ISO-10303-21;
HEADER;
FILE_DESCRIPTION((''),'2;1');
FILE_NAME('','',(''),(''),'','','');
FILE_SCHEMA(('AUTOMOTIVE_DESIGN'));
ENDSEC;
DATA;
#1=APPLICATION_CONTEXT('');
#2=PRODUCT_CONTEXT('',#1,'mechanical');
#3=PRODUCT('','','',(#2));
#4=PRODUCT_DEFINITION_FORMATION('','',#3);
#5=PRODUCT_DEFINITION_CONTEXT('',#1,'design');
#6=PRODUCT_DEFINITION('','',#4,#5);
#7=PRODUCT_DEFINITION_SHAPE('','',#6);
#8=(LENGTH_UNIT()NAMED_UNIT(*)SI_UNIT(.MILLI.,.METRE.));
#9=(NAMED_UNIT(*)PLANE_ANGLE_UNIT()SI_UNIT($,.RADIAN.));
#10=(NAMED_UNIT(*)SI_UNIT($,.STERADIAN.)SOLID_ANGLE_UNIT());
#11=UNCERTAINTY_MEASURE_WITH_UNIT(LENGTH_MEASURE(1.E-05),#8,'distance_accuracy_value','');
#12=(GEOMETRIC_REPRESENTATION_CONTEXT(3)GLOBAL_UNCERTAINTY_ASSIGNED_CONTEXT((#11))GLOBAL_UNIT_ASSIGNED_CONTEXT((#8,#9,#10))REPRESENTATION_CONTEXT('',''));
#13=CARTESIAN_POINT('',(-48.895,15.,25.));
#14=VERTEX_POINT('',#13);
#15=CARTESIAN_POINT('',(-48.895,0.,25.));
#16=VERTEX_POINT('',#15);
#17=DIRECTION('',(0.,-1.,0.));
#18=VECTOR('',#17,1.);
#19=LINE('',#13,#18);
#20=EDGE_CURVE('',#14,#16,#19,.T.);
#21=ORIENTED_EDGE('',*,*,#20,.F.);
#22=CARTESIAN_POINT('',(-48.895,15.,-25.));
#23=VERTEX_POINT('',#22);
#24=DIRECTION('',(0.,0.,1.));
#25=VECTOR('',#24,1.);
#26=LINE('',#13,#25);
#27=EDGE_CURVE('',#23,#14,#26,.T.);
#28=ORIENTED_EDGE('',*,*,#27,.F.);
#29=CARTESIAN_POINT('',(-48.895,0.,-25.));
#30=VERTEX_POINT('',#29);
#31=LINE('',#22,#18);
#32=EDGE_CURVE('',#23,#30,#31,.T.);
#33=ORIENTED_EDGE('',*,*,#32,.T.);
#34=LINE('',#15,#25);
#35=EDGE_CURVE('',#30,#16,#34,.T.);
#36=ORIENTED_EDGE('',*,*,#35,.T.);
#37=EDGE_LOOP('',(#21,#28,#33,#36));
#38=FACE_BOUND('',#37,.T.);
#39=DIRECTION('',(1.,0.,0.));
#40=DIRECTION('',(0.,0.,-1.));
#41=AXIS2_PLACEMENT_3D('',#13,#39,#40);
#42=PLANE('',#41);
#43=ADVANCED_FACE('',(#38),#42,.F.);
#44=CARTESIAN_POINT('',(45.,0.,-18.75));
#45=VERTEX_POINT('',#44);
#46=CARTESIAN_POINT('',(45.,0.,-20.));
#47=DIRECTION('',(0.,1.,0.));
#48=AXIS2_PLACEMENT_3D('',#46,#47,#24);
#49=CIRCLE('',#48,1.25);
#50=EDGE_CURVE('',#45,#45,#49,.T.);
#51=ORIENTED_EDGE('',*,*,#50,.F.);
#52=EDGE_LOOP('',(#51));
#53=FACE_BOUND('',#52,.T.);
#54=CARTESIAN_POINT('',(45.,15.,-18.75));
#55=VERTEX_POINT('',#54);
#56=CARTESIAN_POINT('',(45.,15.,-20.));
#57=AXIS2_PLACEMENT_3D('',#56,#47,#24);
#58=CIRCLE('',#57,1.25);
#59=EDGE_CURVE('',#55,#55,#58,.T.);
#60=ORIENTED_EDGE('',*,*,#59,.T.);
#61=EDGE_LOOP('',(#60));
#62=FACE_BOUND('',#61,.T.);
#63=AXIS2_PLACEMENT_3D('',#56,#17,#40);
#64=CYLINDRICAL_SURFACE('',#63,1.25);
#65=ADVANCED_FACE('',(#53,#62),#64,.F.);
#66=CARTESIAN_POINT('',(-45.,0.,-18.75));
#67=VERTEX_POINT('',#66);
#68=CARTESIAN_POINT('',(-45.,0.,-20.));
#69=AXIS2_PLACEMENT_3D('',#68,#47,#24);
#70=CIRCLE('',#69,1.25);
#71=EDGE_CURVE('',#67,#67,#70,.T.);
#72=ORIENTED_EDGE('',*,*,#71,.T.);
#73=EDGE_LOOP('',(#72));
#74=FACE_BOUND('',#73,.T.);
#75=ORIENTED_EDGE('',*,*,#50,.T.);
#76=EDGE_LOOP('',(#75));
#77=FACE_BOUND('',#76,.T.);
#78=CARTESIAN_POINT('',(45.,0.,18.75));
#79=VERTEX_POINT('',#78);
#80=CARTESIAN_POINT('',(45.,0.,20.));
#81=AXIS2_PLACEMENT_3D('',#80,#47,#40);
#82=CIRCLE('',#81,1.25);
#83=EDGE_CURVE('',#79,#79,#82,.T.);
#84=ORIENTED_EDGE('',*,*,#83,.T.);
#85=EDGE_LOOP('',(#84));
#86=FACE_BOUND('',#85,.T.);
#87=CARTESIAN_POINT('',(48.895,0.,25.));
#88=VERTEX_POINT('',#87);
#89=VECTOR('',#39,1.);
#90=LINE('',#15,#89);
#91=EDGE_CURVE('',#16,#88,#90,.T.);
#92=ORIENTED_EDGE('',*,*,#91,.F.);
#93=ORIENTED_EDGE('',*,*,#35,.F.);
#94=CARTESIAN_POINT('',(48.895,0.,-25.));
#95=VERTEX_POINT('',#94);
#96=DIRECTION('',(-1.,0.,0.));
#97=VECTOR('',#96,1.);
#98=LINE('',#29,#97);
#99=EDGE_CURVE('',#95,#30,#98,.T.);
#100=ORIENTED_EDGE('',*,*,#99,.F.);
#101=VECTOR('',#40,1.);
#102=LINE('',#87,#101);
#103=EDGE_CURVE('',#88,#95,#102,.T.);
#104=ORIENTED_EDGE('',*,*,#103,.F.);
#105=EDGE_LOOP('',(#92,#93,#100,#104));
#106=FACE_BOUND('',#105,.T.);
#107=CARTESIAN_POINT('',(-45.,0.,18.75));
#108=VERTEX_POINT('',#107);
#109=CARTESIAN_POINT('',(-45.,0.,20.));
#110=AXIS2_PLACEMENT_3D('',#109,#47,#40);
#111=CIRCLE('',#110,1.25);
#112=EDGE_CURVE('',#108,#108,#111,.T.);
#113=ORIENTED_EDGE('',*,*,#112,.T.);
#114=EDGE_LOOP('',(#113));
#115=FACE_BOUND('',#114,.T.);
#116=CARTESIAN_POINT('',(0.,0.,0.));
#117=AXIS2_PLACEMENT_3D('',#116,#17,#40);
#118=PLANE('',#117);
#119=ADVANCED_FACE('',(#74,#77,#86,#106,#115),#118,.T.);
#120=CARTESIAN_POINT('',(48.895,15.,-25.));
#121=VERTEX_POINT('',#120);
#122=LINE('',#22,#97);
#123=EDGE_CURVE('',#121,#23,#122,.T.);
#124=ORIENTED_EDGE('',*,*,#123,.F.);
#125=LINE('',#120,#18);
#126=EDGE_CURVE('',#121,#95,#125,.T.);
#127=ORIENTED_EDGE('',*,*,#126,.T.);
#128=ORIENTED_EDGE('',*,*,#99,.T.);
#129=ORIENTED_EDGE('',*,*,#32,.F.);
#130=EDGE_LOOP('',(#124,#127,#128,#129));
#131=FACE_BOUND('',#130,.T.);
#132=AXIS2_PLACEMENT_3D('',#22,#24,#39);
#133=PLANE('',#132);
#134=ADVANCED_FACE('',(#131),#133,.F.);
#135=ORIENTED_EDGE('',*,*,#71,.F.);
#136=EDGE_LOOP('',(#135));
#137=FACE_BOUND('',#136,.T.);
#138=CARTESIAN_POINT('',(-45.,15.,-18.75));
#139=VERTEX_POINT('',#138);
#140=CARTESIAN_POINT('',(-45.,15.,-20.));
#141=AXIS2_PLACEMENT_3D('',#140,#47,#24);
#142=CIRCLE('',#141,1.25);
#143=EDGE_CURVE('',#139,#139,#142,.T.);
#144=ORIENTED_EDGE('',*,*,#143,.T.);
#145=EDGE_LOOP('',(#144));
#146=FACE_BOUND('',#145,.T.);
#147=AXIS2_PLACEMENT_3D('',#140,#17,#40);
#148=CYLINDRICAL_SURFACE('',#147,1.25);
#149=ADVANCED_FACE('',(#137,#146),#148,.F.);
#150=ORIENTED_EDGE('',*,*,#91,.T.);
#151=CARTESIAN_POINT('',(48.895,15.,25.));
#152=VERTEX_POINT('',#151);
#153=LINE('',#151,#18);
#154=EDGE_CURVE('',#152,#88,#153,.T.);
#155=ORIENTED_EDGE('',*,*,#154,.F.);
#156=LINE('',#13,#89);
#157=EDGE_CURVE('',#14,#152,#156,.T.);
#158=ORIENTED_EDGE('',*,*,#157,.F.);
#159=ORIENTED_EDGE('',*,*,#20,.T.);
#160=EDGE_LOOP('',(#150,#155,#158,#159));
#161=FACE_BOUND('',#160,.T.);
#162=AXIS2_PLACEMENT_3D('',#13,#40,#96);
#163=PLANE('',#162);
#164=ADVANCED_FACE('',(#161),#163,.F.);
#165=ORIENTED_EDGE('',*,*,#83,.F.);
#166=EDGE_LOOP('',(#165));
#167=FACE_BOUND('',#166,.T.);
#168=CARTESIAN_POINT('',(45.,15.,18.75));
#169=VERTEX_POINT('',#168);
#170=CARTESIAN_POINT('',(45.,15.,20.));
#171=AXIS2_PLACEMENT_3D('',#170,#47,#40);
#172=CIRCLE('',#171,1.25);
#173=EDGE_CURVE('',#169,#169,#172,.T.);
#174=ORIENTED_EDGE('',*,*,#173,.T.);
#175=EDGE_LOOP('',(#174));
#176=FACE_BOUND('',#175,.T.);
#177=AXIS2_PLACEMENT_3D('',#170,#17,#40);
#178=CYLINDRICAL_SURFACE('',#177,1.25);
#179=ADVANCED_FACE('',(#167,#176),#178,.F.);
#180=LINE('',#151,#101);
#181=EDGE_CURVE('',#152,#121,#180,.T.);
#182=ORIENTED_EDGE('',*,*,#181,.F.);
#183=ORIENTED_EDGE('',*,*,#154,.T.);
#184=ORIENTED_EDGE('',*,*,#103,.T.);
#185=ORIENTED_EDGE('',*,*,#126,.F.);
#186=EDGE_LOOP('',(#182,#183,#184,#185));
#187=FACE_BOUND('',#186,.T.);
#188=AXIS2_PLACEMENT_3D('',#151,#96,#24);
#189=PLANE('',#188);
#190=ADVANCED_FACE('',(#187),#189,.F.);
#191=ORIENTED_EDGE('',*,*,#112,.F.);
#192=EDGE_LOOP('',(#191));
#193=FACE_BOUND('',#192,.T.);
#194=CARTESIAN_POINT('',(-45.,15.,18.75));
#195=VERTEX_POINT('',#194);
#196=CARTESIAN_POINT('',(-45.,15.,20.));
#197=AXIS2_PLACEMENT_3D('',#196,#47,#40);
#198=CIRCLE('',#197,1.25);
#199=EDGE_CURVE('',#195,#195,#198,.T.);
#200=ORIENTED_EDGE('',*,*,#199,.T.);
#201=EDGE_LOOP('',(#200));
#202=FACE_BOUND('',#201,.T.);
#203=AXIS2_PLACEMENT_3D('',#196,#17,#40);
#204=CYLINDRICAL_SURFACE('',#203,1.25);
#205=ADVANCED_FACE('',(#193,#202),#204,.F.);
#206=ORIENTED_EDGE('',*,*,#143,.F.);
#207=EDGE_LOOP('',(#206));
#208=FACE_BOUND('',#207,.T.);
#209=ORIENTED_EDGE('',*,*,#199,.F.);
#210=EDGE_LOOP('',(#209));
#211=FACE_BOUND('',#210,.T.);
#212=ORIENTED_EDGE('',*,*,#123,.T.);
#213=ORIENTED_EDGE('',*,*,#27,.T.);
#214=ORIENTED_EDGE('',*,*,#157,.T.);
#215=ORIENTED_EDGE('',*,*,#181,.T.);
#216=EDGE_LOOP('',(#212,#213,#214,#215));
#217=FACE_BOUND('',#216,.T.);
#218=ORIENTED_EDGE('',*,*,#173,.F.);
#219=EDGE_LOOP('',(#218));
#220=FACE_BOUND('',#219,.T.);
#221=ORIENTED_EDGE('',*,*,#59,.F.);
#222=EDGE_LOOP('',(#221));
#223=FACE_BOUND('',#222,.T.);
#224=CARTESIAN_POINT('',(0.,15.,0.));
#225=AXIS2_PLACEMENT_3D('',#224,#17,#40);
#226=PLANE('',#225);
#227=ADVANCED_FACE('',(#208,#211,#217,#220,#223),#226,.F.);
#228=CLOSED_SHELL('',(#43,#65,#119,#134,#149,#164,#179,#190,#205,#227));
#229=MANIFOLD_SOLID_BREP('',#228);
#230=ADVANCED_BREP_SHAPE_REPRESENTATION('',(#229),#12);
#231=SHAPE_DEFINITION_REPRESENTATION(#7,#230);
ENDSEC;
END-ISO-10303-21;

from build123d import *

# Parameters (mm, degrees)
SKETCH1_W           = 97.79
SKETCH1_H           = 50
SKETCH1_R           = 1.25
BOSS_EXTRUDE1_DEPTH = 15


with BuildPart() as part:
    # Sketch1 → Boss-Extrude1 (new body)
    with BuildSketch(Plane(origin=(0, 0, 0), x_dir=(1, 0, 0), z_dir=(0, 1, 0))):
        Rectangle(SKETCH1_W, SKETCH1_H)
        with Locations((45, 20)):
            Circle(SKETCH1_R, mode=Mode.SUBTRACT)
        with Locations((-45, 20)):
            Circle(SKETCH1_R, mode=Mode.SUBTRACT)
        with Locations((45, -20)):
            Circle(SKETCH1_R, mode=Mode.SUBTRACT)
        with Locations((-45, -20)):
            Circle(SKETCH1_R, mode=Mode.SUBTRACT)
    extrude(amount=BOSS_EXTRUDE1_DEPTH)


solid = part.part
